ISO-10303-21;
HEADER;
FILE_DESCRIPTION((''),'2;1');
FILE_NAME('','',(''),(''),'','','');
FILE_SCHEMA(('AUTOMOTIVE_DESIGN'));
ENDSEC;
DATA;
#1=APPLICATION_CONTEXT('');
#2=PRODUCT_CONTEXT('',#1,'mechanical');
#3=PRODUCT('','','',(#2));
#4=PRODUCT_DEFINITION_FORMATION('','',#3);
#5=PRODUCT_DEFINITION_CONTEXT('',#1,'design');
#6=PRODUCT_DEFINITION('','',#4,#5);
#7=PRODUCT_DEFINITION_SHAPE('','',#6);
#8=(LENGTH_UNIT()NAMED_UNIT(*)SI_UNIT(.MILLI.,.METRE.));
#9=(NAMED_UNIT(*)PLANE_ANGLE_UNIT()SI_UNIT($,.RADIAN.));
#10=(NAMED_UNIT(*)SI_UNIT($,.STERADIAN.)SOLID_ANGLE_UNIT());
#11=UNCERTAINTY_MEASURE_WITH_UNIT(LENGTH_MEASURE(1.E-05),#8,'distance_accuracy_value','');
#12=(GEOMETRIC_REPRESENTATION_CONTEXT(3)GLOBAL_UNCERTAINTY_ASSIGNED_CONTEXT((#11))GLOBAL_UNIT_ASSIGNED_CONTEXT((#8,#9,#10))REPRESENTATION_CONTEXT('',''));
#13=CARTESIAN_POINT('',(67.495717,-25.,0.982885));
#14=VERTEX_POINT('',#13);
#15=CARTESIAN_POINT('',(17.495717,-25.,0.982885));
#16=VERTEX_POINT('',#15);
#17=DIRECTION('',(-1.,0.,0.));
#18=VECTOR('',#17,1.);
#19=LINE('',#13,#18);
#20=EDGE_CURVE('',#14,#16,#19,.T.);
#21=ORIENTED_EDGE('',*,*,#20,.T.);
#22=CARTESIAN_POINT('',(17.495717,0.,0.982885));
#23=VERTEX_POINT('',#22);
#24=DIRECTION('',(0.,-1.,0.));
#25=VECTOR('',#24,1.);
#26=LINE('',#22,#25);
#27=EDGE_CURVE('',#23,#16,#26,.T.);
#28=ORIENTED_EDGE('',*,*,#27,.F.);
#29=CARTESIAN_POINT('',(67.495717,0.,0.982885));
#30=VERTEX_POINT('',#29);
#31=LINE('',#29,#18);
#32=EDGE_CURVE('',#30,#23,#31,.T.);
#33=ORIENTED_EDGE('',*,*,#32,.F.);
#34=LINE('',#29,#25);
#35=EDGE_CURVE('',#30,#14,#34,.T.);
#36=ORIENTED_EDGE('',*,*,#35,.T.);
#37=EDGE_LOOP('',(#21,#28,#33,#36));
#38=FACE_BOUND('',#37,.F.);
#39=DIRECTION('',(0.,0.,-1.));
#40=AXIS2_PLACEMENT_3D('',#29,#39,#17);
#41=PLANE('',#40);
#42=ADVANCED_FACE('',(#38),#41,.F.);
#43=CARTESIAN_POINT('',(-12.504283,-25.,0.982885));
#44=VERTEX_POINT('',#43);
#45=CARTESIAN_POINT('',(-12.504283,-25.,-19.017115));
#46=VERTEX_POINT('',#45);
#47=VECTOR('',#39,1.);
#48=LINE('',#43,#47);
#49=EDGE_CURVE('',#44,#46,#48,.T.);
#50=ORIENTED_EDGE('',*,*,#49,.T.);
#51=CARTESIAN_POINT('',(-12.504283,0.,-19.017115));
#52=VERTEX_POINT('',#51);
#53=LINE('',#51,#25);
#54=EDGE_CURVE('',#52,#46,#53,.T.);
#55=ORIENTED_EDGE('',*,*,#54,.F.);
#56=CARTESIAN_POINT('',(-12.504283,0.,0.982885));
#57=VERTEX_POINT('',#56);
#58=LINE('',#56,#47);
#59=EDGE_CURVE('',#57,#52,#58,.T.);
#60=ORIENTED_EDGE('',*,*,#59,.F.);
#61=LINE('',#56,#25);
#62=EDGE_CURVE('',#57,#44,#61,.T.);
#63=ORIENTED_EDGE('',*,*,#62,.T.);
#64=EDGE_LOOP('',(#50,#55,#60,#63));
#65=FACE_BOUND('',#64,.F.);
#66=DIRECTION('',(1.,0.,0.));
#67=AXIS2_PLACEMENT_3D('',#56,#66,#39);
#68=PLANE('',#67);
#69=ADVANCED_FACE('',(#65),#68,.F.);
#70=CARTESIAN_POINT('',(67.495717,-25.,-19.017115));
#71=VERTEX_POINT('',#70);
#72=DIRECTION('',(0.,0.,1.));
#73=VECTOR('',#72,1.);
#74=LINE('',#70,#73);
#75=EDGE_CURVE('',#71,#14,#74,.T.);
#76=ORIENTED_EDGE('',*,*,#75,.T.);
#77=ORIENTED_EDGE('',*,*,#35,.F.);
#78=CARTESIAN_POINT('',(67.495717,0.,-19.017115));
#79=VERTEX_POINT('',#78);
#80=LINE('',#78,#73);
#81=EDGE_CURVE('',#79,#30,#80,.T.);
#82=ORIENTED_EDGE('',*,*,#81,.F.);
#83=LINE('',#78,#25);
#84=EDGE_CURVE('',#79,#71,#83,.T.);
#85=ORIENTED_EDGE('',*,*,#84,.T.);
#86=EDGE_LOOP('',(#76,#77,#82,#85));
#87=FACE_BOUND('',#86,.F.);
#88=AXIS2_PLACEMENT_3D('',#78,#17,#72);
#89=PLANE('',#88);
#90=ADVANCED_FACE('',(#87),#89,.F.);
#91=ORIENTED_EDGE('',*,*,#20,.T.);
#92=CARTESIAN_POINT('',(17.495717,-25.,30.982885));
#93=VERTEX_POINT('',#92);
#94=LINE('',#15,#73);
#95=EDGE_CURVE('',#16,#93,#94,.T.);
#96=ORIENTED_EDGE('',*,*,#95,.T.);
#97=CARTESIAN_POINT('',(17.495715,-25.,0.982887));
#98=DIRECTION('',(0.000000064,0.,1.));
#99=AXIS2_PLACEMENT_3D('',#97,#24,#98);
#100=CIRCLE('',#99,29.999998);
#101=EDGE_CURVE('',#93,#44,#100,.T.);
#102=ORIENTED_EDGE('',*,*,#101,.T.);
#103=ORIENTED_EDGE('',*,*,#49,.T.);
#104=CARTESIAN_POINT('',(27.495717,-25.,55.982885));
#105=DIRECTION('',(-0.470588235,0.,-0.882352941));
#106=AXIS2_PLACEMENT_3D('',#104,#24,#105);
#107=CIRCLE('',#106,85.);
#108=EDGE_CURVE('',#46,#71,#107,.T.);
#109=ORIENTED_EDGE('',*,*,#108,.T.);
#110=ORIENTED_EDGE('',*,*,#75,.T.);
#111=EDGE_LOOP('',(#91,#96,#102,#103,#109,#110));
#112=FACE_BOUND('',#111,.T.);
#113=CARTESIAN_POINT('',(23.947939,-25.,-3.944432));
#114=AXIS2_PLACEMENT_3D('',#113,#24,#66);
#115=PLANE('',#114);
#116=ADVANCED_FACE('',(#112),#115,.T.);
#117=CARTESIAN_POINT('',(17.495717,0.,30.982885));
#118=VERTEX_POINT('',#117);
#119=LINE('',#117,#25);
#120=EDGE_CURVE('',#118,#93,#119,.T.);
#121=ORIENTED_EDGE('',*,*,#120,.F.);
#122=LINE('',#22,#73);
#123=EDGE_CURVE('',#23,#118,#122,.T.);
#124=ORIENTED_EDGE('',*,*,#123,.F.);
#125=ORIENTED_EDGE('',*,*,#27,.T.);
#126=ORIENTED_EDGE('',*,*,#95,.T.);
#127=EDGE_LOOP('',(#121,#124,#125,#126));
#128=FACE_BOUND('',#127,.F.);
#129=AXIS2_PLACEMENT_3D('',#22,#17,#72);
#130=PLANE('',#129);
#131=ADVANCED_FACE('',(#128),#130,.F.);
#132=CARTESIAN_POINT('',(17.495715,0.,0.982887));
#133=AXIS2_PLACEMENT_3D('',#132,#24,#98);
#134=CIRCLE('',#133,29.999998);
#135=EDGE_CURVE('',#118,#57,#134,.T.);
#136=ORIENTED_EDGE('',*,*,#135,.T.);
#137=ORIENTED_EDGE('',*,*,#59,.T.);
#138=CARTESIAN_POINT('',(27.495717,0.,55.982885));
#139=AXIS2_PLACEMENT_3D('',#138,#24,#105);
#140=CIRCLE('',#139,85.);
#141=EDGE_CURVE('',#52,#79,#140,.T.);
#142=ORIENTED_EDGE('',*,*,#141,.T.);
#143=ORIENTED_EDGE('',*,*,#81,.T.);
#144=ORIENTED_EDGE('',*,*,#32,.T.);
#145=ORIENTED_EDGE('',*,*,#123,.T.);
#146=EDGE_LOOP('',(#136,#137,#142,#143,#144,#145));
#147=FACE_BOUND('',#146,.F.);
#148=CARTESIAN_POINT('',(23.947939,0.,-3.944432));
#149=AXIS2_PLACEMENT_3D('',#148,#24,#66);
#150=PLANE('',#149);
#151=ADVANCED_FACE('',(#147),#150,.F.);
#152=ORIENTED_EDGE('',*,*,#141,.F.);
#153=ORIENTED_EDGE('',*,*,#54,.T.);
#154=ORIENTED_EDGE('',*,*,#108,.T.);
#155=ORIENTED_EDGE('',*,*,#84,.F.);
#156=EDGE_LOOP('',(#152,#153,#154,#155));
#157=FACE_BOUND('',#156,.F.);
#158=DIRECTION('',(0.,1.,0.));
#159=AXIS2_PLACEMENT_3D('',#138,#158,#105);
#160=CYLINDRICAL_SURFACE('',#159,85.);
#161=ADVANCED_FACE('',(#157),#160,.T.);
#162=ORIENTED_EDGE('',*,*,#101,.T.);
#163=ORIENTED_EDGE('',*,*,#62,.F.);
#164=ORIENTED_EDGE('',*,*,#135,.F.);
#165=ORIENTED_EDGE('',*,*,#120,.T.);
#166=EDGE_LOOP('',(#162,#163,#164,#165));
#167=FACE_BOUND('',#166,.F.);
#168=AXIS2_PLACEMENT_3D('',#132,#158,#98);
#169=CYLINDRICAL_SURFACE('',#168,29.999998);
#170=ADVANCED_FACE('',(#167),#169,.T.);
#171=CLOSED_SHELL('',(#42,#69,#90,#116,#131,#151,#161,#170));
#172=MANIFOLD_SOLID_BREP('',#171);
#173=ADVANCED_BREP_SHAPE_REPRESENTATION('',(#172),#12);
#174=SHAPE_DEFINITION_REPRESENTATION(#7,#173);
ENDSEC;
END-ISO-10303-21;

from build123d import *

# Parameters (mm, degrees)
F1_DEPTH = 25


with BuildPart() as f1:
    # F0 (on Front) → F1 (new body)
    with BuildSketch(Plane.XZ):
        with BuildLine():
            Line((67.495717, -19.017115), (67.495717, 0.982885))
            Line((67.495717, 0.982885), (17.495717, 0.982885))
            Line((17.495717, 0.982885), (17.495717, 30.982885))
            ThreePointArc((17.495717, 30.982885), (-3.717487, 22.196089), (-12.504283, 0.982885))
            Line((-12.504283, 0.982885), (-12.504283, -19.017115))
            ThreePointArc((-12.504283, -19.017115), (27.495717, -29.017115), (67.495717, -19.017115))
        make_face()
    extrude(amount=F1_DEPTH)


solid = f1.part
